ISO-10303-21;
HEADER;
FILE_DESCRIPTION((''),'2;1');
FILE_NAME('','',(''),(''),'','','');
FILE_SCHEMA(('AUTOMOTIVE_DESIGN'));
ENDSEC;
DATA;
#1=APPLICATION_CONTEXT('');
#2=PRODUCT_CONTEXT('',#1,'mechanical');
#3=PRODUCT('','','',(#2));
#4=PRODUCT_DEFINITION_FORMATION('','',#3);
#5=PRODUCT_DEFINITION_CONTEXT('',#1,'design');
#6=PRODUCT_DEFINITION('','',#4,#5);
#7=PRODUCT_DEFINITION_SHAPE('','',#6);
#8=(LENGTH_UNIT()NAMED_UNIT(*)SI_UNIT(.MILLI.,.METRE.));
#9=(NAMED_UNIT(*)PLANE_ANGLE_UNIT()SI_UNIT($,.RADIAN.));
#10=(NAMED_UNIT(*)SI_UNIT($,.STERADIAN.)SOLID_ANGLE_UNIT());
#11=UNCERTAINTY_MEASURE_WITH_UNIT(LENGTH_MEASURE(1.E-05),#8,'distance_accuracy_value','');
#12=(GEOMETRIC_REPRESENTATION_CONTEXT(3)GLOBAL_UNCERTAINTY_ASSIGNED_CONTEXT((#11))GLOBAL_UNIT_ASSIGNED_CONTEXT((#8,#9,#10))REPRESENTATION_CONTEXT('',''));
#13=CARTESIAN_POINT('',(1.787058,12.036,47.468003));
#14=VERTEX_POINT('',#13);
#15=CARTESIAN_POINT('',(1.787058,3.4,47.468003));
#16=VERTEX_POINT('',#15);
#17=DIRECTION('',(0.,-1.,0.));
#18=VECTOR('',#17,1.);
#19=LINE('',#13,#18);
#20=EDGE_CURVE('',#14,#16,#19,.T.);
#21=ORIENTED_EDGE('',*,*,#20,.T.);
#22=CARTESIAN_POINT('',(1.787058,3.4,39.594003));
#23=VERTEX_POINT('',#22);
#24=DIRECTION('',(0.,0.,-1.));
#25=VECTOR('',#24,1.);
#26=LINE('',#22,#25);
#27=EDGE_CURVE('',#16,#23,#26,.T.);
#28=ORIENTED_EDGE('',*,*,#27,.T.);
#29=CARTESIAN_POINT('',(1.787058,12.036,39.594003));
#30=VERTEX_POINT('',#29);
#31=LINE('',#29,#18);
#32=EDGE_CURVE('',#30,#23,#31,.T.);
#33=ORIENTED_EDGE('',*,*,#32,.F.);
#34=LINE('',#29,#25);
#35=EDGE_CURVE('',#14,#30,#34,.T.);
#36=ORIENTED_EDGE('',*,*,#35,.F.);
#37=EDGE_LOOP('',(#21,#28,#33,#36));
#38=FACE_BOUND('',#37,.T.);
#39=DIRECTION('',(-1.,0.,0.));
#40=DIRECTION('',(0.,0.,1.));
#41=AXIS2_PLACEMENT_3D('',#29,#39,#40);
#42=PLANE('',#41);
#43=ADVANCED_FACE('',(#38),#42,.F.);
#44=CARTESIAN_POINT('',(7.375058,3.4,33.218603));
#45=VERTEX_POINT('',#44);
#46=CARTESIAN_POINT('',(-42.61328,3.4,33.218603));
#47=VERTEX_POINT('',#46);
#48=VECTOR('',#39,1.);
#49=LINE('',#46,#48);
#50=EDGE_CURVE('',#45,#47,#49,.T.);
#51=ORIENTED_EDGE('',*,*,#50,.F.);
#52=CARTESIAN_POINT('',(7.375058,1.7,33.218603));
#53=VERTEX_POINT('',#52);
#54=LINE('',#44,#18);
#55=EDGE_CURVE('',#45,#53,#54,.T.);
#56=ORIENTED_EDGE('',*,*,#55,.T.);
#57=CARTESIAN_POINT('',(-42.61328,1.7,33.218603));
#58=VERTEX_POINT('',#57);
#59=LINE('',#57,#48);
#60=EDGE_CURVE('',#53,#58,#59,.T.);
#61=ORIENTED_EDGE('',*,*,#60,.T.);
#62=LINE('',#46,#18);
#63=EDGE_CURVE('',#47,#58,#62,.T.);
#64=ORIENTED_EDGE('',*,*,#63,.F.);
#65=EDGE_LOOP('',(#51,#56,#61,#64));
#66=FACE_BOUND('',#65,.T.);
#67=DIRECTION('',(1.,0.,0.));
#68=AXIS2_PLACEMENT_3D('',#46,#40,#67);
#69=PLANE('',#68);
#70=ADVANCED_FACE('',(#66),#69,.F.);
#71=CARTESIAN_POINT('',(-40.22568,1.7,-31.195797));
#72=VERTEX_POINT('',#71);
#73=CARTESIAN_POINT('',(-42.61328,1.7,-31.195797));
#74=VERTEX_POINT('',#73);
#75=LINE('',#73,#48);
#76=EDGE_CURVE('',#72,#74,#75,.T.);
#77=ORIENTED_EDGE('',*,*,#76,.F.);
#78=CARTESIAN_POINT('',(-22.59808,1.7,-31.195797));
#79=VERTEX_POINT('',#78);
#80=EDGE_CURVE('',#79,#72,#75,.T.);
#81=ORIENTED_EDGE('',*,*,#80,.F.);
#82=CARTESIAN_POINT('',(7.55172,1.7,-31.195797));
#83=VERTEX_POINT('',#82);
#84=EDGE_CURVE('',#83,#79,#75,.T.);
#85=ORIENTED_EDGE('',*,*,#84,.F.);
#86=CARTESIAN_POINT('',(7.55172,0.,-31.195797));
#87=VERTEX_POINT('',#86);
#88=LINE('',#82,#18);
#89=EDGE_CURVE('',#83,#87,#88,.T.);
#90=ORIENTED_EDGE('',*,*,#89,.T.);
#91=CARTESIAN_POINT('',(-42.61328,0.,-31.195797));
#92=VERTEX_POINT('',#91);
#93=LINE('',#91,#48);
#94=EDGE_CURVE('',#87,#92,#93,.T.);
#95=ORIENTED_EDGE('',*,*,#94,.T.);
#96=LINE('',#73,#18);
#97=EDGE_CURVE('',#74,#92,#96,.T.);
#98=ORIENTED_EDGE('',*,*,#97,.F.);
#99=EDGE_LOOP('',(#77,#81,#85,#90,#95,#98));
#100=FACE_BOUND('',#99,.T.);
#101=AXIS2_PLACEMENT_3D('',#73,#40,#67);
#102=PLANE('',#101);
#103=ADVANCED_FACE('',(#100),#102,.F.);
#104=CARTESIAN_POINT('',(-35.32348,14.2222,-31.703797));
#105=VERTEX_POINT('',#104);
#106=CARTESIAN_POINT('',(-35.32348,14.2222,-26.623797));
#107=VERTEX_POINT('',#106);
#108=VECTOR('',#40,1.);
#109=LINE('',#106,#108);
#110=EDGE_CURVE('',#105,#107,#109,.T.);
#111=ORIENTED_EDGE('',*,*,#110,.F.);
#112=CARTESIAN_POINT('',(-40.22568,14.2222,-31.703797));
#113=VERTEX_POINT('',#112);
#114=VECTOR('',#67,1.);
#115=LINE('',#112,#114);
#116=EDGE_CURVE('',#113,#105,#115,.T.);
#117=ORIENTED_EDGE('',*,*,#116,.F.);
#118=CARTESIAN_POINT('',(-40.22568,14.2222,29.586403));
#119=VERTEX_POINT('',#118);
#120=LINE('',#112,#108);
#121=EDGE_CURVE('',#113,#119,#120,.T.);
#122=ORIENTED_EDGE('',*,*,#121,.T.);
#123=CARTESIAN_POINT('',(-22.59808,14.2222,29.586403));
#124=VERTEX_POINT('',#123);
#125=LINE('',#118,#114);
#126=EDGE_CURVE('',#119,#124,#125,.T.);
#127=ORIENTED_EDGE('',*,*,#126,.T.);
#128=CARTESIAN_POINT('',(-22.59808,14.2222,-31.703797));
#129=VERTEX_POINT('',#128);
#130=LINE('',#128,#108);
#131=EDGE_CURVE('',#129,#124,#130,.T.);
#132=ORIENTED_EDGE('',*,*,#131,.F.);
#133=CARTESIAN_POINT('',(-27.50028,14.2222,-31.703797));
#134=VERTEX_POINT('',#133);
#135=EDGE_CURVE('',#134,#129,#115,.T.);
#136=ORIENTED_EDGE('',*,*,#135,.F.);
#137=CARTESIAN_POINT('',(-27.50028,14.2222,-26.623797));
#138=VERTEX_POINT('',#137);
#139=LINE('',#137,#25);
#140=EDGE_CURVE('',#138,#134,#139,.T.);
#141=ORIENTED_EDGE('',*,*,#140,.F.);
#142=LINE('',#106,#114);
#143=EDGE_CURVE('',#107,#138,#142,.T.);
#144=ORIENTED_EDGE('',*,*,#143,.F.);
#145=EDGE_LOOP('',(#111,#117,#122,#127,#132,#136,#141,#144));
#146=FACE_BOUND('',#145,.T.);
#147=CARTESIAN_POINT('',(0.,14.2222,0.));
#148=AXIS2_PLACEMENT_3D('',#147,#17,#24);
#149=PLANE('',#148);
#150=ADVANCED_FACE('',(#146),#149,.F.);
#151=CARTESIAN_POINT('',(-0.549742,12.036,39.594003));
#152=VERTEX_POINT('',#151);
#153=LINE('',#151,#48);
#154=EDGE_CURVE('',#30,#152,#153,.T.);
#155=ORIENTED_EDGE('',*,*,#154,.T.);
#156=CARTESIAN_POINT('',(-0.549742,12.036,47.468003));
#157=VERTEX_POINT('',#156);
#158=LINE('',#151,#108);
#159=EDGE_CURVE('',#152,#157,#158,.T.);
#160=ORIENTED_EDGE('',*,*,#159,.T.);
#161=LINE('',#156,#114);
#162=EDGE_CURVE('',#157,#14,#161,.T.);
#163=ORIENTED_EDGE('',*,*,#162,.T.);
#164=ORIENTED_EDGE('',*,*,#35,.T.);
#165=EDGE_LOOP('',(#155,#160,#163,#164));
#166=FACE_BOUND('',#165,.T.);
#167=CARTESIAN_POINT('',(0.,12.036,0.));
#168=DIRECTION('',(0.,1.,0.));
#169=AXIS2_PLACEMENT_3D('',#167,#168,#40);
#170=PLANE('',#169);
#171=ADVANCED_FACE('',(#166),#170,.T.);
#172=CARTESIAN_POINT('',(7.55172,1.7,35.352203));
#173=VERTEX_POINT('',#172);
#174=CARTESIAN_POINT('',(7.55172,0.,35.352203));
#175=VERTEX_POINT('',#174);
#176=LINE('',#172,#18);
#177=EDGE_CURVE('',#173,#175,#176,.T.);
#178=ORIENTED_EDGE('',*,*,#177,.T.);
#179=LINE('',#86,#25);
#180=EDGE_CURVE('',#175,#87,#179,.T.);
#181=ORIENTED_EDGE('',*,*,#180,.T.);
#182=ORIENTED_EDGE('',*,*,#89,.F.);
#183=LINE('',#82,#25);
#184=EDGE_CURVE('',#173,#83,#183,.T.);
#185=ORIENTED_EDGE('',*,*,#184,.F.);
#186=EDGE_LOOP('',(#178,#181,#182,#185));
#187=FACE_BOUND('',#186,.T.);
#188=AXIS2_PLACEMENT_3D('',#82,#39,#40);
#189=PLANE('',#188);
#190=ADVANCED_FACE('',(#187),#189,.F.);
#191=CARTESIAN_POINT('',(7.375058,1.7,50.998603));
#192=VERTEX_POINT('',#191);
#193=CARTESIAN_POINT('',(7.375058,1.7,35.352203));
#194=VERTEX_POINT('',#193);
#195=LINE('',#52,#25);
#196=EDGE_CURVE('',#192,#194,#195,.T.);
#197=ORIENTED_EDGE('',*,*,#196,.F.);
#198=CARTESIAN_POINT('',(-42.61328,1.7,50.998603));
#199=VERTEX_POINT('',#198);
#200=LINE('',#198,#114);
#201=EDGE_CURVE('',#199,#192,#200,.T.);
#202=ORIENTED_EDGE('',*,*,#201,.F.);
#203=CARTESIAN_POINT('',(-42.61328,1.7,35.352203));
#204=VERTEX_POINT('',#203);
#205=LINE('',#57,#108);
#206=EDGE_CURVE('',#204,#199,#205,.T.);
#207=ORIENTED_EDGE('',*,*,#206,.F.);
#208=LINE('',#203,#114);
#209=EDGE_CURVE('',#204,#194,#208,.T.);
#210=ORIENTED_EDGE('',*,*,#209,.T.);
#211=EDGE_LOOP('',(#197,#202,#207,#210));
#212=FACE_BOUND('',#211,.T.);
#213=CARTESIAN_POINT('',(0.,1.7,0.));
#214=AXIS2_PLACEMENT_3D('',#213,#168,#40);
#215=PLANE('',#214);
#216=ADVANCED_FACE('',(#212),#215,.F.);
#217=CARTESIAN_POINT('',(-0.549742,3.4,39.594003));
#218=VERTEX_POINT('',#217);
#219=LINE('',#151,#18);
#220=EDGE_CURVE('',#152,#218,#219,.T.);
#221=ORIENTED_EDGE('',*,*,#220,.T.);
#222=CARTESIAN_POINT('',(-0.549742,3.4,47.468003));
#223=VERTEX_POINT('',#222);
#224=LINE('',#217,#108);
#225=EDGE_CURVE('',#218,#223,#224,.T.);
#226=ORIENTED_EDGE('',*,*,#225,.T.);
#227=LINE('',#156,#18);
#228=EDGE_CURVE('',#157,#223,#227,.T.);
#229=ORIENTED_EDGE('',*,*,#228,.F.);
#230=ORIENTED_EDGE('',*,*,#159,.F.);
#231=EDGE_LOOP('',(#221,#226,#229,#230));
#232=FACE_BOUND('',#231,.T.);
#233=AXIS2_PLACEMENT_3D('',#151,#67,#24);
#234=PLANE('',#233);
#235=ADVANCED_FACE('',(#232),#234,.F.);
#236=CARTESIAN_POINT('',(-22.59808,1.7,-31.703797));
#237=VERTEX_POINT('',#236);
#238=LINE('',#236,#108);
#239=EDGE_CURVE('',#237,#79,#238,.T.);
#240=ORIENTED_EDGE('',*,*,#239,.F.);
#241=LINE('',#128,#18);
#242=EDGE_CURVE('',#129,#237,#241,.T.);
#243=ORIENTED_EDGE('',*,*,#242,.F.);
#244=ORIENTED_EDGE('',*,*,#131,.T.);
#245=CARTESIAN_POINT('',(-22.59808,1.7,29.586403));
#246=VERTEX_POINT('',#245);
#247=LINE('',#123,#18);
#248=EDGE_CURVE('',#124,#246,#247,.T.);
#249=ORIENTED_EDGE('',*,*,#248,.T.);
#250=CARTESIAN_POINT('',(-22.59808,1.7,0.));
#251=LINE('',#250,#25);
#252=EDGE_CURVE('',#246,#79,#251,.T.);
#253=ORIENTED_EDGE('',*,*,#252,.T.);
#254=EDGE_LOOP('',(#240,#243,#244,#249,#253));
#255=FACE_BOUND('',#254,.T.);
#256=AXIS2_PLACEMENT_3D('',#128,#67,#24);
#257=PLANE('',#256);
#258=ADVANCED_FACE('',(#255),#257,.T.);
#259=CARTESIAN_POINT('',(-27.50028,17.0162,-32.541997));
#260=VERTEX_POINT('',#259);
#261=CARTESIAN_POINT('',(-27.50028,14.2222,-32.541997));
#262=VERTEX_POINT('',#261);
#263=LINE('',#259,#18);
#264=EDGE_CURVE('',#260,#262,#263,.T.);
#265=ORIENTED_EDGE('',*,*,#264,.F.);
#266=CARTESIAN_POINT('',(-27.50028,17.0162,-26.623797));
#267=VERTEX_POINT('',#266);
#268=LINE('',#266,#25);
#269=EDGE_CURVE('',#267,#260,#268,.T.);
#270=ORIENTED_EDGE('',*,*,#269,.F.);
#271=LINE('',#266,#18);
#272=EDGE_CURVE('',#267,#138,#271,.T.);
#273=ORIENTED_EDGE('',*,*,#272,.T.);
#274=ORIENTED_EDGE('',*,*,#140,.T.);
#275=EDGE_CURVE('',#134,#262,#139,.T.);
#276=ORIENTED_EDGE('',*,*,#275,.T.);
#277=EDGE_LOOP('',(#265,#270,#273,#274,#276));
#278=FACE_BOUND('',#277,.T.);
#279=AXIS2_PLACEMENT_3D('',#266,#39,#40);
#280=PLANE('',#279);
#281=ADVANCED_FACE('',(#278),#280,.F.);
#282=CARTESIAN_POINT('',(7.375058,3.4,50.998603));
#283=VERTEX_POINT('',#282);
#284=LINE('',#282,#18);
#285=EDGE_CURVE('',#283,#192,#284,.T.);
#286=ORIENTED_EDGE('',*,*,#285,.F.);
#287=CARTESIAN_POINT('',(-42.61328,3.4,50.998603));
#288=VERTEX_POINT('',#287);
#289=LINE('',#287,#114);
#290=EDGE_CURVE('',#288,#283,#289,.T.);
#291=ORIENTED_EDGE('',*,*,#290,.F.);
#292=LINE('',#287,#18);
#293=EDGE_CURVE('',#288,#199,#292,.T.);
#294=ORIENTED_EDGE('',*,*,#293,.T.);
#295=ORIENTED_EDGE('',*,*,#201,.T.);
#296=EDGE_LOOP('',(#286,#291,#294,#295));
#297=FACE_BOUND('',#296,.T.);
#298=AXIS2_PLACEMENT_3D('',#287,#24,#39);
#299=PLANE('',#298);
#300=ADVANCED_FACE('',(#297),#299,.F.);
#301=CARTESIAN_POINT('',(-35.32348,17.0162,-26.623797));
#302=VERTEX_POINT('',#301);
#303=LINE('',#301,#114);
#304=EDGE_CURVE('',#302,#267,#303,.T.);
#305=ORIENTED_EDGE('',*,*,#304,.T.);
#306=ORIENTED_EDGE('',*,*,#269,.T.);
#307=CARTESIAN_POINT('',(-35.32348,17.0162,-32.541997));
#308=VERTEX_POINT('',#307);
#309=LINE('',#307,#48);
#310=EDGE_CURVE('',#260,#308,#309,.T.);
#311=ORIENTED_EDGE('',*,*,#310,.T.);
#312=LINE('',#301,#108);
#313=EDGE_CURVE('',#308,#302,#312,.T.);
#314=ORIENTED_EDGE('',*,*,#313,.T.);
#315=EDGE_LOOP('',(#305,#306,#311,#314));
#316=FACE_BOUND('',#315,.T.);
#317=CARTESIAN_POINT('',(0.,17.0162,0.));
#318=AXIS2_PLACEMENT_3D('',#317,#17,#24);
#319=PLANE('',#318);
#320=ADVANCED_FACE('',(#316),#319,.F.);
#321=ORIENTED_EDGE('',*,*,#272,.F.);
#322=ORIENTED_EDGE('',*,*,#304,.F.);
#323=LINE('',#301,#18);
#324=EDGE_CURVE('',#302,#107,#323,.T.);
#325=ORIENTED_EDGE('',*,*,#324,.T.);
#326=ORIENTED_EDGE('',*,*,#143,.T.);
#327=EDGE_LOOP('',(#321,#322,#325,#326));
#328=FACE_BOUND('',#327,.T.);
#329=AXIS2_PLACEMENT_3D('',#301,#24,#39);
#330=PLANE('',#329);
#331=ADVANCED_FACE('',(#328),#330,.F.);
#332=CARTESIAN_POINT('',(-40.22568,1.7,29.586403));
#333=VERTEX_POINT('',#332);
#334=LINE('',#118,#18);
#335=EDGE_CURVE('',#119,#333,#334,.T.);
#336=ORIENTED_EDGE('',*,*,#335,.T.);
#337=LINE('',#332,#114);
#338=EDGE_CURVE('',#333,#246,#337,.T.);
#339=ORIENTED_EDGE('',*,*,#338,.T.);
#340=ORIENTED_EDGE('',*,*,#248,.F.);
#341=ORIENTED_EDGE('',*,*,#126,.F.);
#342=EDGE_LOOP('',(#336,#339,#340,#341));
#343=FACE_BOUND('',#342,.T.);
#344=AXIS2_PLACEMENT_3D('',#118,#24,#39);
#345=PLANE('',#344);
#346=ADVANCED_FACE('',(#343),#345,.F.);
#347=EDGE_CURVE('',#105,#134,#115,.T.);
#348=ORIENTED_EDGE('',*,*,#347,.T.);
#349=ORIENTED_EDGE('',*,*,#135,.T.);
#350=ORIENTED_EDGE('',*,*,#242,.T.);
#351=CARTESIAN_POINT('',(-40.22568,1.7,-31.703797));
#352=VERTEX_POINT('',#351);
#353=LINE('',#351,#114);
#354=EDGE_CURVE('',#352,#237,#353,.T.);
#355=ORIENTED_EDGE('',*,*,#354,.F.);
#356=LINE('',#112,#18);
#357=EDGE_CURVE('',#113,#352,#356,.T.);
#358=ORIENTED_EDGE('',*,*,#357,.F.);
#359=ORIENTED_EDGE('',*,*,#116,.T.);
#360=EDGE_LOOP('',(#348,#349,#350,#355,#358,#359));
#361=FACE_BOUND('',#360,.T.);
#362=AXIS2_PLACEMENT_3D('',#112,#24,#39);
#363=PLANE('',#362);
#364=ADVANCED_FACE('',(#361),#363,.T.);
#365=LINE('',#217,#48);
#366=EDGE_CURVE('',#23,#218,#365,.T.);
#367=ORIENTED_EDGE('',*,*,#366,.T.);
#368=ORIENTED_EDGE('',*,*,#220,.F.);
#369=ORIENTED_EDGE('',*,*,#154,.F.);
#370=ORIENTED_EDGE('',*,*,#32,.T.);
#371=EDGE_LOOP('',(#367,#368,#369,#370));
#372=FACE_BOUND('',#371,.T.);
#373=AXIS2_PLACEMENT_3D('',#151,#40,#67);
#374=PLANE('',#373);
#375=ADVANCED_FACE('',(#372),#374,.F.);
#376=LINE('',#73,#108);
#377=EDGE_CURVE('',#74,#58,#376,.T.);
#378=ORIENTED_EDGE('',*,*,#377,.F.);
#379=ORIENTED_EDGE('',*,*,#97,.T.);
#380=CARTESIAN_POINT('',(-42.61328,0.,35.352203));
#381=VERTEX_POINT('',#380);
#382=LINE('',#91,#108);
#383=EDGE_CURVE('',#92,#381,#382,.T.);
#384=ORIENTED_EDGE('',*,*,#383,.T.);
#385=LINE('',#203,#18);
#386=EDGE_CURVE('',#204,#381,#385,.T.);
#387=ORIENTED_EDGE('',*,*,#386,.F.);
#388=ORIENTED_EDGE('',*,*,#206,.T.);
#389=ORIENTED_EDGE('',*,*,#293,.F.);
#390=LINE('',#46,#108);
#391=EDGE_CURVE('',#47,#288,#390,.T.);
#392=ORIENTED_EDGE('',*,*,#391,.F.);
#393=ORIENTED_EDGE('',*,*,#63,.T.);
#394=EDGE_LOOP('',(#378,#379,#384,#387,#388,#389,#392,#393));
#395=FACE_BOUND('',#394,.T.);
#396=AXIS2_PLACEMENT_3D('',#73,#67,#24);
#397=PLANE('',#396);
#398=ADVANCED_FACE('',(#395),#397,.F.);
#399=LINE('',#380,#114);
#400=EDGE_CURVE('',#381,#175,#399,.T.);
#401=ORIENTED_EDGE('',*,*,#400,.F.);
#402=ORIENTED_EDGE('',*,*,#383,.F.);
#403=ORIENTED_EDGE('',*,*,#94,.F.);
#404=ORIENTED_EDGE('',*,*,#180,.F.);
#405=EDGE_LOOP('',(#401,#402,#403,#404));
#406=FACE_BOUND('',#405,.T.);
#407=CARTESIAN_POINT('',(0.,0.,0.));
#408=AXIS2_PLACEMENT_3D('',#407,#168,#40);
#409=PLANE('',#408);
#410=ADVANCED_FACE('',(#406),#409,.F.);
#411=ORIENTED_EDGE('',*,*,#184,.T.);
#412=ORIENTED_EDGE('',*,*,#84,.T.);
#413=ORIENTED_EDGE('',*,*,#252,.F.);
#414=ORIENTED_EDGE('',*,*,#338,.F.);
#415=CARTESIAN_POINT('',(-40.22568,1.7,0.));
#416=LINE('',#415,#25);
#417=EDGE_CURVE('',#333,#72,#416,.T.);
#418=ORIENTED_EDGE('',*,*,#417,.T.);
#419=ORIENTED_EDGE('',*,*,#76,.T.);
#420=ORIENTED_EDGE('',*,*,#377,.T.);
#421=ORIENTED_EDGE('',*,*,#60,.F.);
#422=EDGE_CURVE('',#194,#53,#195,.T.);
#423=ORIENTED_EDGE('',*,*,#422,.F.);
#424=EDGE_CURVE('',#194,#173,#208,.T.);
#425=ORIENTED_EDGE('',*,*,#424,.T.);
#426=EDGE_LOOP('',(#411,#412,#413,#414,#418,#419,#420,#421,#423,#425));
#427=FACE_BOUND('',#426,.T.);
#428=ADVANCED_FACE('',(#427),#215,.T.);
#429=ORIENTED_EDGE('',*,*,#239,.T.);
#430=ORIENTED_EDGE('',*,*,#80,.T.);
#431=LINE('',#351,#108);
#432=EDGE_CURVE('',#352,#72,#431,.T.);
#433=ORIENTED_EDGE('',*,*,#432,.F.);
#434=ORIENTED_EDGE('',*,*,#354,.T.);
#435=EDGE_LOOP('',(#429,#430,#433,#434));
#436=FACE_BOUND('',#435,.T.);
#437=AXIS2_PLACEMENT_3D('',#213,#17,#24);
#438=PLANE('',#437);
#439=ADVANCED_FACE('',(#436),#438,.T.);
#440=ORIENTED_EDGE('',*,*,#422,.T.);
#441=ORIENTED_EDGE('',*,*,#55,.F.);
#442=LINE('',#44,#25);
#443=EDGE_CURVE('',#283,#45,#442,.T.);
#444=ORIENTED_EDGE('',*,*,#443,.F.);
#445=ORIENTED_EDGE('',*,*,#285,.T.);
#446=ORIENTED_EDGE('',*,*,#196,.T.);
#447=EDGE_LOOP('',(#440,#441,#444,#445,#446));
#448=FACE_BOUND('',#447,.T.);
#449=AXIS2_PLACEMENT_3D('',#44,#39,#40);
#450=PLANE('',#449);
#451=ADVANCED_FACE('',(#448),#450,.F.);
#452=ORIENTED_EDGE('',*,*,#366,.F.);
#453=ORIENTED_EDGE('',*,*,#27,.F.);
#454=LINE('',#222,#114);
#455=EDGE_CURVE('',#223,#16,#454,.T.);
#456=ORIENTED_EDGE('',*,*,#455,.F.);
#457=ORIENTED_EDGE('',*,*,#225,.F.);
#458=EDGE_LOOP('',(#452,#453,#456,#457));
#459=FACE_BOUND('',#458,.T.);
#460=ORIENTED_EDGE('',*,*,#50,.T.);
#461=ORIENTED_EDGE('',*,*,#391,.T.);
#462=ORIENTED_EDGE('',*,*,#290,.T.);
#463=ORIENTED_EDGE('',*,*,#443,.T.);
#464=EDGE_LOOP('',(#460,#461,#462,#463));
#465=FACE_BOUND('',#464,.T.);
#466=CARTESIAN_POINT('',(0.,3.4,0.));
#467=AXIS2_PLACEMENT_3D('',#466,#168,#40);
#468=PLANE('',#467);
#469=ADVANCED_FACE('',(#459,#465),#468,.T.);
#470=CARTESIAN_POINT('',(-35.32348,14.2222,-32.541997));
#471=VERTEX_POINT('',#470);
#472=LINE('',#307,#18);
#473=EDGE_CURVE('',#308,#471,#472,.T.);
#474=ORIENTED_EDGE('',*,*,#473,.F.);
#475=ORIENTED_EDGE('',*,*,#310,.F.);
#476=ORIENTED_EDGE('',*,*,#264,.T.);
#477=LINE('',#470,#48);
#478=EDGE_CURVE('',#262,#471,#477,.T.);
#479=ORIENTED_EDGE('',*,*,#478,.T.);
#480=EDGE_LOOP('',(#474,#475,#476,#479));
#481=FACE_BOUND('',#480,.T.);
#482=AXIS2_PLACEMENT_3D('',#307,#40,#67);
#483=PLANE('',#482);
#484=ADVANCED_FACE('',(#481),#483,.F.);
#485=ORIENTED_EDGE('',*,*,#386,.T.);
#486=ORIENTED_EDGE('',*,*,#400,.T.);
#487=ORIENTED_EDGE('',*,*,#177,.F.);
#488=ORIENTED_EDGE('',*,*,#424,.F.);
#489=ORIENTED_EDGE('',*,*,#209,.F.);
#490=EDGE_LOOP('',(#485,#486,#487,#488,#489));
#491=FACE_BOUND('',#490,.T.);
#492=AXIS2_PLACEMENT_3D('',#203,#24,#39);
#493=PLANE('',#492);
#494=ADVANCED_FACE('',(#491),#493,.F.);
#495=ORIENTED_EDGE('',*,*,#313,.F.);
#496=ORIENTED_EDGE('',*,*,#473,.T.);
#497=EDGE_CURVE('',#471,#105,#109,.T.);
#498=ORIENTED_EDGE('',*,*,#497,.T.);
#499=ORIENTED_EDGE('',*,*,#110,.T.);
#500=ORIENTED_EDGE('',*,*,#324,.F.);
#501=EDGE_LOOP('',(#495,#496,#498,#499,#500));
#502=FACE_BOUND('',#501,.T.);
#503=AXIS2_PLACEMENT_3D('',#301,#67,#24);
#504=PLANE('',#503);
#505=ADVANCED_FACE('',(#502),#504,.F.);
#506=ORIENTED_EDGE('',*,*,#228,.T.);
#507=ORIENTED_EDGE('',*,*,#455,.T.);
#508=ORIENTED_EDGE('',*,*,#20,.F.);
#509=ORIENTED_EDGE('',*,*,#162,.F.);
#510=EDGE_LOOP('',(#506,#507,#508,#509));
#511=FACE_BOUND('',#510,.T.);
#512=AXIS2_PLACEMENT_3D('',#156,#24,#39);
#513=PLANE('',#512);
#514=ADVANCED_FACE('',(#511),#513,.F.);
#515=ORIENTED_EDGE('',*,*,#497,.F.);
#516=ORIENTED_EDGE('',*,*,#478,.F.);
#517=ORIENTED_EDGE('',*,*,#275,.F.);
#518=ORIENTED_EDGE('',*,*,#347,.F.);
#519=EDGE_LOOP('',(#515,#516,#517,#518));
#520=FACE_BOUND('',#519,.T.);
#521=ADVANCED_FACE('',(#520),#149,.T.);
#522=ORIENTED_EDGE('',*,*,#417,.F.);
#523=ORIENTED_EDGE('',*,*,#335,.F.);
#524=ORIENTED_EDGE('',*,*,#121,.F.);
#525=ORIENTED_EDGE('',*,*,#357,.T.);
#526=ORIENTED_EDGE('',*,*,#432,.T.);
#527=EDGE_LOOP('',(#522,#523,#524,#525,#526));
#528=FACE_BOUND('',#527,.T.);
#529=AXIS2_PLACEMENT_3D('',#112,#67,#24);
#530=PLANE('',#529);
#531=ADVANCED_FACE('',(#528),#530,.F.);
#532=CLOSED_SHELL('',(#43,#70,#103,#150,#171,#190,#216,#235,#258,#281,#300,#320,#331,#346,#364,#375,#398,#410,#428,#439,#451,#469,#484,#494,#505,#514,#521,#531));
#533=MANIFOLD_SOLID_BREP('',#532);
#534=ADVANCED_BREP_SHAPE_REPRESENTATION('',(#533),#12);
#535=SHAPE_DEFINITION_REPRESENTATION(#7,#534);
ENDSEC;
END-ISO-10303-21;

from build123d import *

# Parameters (mm, degrees)
SKETCH1_W           = 50.165
SKETCH1_H           = 66.548
BOSS_EXTRUDE1_DEPTH = 1.7
SKETCH2_W           = 49.98833795
SKETCH2_H           = 17.78
BOSS_EXTRUDE2_DEPTH = 1.7
SKETCH3_W           = 17.6276
SKETCH3_H           = 61.2902
BOSS_EXTRUDE3_DEPTH = 12.5222
SKETCH4_W           = 7.8232
SKETCH4_H           = 5.9182
BOSS_EXTRUDE4_DEPTH = 2.794
SKETCH5_W           = 2.3368
SKETCH5_H           = 7.874
BOSS_EXTRUDE5_DEPTH = 8.636


with BuildPart() as part:
    # Sketch1 → Boss-Extrude1 (new body)
    with BuildSketch(Plane(origin=(0, 0, 0), x_dir=(1, 0, 0), z_dir=(0, 1, 0))):
        with Locations((-17.53077957, -2.078202509)):
            Rectangle(SKETCH1_W, SKETCH1_H)
    extrude(amount=BOSS_EXTRUDE1_DEPTH)

    # Sketch2 → Boss-Extrude2 (add)
    with BuildSketch(Plane(origin=(0, 1.7, 0), x_dir=(1, 0, 0), z_dir=(0, 1, 0))):
        with Locations((-17.619110595, -42.108602509)):
            Rectangle(SKETCH2_W, SKETCH2_H)
    extrude(amount=BOSS_EXTRUDE2_DEPTH)

    # Sketch3 → Boss-Extrude3 (add)
    with BuildSketch(Plane(origin=(0, 1.7, 0), x_dir=(1, 0, 0), z_dir=(0, 1, 0))):
        with Locations((-31.41187957, 1.058697491)):
            Rectangle(SKETCH3_W, SKETCH3_H)
    extrude(amount=BOSS_EXTRUDE3_DEPTH)

    # Sketch4 → Boss-Extrude4 (add)
    with BuildSketch(Plane(origin=(0, 14.2222, 0), x_dir=(1, 0, 0), z_dir=(0, 1, 0))):
        with Locations((-31.41187957, 29.582897491)):
            Rectangle(SKETCH4_W, SKETCH4_H)
    extrude(amount=BOSS_EXTRUDE4_DEPTH)

    # Sketch5 → Boss-Extrude5 (add)
    with BuildSketch(Plane(origin=(0, 3.4, 0), x_dir=(1, 0, 0), z_dir=(0, 1, 0))):
        with Locations((0.61865838, -43.531002509)):
            Rectangle(SKETCH5_W, SKETCH5_H)
    extrude(amount=BOSS_EXTRUDE5_DEPTH)


solid = part.part
